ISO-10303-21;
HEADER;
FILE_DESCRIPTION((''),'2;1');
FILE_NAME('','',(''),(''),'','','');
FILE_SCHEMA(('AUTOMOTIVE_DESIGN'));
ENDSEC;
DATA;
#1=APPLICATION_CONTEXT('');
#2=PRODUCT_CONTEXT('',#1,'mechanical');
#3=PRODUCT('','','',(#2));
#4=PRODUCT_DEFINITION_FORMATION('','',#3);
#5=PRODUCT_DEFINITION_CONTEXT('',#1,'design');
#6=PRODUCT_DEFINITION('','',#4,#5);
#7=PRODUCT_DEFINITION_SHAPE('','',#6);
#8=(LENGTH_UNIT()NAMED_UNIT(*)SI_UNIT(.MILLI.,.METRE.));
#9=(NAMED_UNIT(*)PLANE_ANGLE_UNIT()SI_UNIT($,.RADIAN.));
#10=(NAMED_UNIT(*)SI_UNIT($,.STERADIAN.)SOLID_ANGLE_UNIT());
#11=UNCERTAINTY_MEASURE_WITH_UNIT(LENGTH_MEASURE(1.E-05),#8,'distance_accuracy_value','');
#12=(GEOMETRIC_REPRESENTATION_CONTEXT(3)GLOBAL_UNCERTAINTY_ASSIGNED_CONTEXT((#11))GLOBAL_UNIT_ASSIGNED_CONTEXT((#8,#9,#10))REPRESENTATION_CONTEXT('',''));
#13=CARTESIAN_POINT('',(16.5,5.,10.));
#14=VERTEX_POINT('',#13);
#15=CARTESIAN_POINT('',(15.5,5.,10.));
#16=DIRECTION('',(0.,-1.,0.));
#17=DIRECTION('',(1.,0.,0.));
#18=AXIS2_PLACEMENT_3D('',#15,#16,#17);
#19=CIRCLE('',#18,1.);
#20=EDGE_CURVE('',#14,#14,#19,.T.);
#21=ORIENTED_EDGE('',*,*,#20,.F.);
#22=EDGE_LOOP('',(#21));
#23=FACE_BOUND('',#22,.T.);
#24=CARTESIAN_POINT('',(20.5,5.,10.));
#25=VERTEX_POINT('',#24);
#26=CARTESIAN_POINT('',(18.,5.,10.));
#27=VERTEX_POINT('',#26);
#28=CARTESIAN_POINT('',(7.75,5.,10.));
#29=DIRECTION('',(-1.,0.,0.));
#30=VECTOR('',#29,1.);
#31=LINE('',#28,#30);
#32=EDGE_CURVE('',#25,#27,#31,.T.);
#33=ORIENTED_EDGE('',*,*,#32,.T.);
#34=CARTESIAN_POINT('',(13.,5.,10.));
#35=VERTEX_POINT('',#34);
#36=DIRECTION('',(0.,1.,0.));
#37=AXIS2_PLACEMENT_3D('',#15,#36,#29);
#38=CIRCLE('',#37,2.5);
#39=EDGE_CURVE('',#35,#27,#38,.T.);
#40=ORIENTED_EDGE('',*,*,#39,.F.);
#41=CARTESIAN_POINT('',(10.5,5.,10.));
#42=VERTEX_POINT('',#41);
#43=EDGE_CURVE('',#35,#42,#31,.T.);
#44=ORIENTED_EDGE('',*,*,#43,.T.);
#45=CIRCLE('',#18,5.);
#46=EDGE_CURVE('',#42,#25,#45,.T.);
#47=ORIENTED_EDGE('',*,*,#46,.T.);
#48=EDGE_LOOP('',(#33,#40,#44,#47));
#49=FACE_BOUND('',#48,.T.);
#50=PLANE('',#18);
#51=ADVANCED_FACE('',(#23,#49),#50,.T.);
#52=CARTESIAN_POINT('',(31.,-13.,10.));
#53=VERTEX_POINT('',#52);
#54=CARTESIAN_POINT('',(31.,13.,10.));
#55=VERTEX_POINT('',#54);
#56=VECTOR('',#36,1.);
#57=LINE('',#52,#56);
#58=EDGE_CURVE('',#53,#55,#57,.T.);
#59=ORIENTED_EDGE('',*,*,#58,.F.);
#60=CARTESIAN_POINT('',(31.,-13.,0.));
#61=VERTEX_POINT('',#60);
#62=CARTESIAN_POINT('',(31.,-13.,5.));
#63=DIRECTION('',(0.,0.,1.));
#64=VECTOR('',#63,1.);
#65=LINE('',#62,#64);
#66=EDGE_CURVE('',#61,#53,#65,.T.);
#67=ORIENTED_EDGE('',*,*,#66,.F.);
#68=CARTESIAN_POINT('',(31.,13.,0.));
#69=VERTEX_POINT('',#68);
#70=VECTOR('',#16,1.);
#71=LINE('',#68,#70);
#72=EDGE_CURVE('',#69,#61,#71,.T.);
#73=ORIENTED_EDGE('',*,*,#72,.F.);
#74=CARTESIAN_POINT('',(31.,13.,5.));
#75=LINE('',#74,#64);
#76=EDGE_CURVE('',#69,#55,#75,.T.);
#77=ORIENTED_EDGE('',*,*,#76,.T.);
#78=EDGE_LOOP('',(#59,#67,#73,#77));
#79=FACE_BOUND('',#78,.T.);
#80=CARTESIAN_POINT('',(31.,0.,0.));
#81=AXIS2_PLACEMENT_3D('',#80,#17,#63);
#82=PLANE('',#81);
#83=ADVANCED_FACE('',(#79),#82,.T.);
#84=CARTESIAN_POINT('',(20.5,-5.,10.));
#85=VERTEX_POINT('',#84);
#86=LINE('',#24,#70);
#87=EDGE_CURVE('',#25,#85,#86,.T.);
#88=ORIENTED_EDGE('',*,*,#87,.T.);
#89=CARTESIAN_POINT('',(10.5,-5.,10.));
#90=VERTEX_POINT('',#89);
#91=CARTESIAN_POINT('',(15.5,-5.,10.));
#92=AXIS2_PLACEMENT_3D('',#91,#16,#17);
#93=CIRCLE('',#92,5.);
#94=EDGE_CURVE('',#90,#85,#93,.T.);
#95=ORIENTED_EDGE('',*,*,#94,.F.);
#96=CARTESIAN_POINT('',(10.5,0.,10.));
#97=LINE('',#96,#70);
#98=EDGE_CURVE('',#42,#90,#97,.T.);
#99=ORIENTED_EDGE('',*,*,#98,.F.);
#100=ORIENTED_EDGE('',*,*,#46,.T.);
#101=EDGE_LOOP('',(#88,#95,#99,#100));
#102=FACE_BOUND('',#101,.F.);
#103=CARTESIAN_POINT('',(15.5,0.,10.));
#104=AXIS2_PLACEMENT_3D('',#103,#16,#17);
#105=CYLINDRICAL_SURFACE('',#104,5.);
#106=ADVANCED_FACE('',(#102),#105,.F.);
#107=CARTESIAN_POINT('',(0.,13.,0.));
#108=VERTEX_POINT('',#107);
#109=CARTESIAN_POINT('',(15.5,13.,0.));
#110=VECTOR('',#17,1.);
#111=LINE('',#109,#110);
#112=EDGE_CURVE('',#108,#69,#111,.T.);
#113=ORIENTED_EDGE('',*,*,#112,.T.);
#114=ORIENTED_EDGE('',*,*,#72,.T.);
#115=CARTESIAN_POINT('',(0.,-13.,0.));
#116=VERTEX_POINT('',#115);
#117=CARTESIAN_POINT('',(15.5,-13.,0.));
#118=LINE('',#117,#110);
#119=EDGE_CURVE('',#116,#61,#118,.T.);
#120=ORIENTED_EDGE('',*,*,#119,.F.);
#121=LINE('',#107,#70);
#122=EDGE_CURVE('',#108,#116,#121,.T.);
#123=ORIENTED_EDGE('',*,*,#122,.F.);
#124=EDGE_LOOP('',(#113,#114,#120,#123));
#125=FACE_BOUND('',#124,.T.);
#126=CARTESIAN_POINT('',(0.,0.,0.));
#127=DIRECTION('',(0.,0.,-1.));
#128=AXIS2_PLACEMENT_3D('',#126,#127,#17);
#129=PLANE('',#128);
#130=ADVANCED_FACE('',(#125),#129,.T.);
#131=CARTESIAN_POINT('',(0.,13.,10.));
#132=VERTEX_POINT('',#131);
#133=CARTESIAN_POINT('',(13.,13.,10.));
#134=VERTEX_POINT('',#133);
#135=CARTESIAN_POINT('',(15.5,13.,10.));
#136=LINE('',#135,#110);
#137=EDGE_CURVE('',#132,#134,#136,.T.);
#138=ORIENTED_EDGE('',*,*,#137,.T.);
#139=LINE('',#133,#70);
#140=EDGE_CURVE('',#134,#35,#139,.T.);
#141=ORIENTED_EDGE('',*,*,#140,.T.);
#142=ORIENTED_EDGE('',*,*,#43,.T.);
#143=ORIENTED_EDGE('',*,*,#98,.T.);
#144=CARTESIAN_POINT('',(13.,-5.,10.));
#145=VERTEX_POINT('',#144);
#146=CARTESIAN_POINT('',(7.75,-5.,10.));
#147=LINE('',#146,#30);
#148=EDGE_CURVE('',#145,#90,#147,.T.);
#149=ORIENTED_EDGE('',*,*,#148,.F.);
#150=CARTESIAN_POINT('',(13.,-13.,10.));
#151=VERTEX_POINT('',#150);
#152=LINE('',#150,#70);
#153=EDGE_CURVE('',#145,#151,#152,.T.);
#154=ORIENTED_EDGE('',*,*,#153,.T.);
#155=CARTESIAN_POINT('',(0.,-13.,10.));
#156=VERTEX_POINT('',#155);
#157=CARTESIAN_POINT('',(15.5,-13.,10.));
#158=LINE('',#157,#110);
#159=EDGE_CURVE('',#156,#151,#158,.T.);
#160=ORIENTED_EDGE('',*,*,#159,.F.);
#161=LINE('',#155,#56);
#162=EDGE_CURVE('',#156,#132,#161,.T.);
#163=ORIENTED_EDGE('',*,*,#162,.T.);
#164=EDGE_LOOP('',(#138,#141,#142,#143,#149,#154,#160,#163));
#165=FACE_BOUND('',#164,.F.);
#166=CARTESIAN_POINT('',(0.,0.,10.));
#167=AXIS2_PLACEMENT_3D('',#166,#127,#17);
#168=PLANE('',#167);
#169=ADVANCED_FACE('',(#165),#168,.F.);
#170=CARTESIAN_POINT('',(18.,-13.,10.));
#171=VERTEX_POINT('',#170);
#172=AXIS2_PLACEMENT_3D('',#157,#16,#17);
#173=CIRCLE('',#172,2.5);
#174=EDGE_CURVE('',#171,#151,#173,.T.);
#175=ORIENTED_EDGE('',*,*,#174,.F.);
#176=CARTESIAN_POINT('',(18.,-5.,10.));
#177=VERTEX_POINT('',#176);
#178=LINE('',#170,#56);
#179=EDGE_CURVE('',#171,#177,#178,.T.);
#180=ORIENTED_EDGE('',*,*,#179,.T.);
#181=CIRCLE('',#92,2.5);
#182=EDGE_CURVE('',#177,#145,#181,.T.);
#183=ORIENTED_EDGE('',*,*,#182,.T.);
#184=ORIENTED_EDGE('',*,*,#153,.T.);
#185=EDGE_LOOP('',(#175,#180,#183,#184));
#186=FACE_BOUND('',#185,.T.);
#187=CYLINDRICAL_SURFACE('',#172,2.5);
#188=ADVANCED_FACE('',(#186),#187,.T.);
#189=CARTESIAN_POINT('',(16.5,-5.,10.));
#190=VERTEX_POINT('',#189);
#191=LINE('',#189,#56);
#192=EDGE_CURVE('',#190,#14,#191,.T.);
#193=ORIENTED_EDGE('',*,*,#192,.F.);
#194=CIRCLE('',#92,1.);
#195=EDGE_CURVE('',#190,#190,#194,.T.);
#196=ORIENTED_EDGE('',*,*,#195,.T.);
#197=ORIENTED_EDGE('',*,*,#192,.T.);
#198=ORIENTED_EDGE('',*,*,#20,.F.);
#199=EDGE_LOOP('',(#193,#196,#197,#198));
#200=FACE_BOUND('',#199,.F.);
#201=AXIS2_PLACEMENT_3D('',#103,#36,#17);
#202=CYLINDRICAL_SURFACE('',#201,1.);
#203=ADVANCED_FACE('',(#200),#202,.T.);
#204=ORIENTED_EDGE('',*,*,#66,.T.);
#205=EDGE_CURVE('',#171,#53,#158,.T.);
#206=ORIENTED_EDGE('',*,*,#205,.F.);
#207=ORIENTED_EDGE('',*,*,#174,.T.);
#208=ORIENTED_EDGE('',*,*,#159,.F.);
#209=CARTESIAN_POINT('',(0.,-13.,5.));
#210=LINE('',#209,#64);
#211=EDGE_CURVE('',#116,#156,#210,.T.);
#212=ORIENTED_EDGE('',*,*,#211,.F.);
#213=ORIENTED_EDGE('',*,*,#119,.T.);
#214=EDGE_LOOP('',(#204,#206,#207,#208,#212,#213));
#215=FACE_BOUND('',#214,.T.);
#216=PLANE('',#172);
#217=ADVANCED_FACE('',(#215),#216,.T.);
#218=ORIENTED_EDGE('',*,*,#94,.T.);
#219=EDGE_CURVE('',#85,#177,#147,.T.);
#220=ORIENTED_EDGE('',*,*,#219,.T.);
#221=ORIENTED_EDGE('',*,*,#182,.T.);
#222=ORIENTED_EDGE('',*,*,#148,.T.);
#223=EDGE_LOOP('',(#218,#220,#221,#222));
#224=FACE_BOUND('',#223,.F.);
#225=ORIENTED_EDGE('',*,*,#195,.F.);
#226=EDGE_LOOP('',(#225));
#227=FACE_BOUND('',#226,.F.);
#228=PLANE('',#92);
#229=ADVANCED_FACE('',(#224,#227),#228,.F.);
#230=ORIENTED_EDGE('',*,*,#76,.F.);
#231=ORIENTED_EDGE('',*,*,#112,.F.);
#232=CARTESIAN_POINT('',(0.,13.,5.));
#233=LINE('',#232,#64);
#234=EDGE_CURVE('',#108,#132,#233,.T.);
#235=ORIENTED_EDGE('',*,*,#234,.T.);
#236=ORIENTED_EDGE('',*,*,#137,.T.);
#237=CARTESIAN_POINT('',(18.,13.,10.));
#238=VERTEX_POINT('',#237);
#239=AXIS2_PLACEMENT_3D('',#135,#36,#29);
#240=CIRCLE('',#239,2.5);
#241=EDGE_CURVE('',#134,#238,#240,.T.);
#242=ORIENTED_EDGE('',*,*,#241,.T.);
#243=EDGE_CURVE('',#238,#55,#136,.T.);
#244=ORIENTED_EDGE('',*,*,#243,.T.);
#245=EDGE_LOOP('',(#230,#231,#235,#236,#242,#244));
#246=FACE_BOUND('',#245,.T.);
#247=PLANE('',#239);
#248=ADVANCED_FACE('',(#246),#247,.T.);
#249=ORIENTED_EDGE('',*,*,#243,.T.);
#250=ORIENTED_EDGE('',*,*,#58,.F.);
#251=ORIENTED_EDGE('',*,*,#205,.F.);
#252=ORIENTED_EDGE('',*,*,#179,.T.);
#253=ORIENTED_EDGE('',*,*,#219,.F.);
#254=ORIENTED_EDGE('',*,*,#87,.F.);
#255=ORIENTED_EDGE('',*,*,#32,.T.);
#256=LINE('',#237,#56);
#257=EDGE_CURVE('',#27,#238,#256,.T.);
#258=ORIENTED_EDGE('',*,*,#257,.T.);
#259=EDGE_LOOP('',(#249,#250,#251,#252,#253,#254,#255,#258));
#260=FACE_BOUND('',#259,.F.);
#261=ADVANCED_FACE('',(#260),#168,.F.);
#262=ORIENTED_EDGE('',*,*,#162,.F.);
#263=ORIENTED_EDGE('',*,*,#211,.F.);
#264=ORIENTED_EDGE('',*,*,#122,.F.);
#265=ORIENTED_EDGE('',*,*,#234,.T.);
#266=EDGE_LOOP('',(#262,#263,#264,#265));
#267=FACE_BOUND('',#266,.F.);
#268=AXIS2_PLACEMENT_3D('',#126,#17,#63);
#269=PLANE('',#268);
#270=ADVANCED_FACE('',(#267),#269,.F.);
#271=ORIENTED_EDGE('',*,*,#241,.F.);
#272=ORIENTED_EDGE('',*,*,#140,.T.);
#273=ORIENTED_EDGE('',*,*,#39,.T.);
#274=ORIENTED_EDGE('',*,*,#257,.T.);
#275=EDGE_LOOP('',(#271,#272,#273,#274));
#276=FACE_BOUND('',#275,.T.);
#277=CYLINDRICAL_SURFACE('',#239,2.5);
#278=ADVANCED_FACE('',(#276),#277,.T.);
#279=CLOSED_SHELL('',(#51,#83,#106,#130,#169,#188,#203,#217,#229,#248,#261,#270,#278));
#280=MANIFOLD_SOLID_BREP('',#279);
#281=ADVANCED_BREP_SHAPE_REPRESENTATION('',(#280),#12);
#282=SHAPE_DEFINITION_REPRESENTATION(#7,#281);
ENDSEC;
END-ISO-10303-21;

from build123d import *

# Parameters (mm, degrees)
F0_W     = 31
F0_H     = 10
F1_DEPTH = 13
F2_R     = 1
F3_DEPTH = 20
F4_R     = 2.5
F5_DEPTH = 10
F6_R     = 2.5
F7_DEPTH = 10
F8_R     = 5
F8_R_2   = 1
F9_DEPTH = 5


with BuildPart() as f1:
    # F0 (on Front) → F1 (new body, symmetric)
    with BuildSketch(Plane.XZ):
        with Locations((15.5, 5)):
            Rectangle(F0_W, F0_H)
    extrude(amount=F1_DEPTH, both=True)

    # F2 (on face) → F3 (join)
    with BuildSketch(Plane.XZ.offset(13)):
        with Locations((15.5, 10)):
            Circle(F2_R)
    extrude(amount=-F3_DEPTH)

    # F4 (on face) → F5 (join)
    with BuildSketch(Plane.XZ.offset(13)):
        with Locations((15.5, 10)):
            Circle(F4_R)
    extrude(amount=-F5_DEPTH)

    # F6 (on face) → F7 (join)
    with BuildSketch(Plane(origin=(0, 13, 0), x_dir=(-1, 0, 0), z_dir=(0, 1, 0))):
        with Locations((-15.5, 10)):
            Circle(F6_R)
    extrude(amount=-F7_DEPTH)

    # F8 (on Front) → F9 (cut, symmetric)
    with BuildSketch(Plane.XZ):
        with Locations((15.5, 10)):
            Circle(F8_R)
        with Locations((15.5, 10)):
            Circle(F8_R_2, mode=Mode.SUBTRACT)
    extrude(amount=F9_DEPTH, both=True, mode=Mode.SUBTRACT)


solid = f1.part
